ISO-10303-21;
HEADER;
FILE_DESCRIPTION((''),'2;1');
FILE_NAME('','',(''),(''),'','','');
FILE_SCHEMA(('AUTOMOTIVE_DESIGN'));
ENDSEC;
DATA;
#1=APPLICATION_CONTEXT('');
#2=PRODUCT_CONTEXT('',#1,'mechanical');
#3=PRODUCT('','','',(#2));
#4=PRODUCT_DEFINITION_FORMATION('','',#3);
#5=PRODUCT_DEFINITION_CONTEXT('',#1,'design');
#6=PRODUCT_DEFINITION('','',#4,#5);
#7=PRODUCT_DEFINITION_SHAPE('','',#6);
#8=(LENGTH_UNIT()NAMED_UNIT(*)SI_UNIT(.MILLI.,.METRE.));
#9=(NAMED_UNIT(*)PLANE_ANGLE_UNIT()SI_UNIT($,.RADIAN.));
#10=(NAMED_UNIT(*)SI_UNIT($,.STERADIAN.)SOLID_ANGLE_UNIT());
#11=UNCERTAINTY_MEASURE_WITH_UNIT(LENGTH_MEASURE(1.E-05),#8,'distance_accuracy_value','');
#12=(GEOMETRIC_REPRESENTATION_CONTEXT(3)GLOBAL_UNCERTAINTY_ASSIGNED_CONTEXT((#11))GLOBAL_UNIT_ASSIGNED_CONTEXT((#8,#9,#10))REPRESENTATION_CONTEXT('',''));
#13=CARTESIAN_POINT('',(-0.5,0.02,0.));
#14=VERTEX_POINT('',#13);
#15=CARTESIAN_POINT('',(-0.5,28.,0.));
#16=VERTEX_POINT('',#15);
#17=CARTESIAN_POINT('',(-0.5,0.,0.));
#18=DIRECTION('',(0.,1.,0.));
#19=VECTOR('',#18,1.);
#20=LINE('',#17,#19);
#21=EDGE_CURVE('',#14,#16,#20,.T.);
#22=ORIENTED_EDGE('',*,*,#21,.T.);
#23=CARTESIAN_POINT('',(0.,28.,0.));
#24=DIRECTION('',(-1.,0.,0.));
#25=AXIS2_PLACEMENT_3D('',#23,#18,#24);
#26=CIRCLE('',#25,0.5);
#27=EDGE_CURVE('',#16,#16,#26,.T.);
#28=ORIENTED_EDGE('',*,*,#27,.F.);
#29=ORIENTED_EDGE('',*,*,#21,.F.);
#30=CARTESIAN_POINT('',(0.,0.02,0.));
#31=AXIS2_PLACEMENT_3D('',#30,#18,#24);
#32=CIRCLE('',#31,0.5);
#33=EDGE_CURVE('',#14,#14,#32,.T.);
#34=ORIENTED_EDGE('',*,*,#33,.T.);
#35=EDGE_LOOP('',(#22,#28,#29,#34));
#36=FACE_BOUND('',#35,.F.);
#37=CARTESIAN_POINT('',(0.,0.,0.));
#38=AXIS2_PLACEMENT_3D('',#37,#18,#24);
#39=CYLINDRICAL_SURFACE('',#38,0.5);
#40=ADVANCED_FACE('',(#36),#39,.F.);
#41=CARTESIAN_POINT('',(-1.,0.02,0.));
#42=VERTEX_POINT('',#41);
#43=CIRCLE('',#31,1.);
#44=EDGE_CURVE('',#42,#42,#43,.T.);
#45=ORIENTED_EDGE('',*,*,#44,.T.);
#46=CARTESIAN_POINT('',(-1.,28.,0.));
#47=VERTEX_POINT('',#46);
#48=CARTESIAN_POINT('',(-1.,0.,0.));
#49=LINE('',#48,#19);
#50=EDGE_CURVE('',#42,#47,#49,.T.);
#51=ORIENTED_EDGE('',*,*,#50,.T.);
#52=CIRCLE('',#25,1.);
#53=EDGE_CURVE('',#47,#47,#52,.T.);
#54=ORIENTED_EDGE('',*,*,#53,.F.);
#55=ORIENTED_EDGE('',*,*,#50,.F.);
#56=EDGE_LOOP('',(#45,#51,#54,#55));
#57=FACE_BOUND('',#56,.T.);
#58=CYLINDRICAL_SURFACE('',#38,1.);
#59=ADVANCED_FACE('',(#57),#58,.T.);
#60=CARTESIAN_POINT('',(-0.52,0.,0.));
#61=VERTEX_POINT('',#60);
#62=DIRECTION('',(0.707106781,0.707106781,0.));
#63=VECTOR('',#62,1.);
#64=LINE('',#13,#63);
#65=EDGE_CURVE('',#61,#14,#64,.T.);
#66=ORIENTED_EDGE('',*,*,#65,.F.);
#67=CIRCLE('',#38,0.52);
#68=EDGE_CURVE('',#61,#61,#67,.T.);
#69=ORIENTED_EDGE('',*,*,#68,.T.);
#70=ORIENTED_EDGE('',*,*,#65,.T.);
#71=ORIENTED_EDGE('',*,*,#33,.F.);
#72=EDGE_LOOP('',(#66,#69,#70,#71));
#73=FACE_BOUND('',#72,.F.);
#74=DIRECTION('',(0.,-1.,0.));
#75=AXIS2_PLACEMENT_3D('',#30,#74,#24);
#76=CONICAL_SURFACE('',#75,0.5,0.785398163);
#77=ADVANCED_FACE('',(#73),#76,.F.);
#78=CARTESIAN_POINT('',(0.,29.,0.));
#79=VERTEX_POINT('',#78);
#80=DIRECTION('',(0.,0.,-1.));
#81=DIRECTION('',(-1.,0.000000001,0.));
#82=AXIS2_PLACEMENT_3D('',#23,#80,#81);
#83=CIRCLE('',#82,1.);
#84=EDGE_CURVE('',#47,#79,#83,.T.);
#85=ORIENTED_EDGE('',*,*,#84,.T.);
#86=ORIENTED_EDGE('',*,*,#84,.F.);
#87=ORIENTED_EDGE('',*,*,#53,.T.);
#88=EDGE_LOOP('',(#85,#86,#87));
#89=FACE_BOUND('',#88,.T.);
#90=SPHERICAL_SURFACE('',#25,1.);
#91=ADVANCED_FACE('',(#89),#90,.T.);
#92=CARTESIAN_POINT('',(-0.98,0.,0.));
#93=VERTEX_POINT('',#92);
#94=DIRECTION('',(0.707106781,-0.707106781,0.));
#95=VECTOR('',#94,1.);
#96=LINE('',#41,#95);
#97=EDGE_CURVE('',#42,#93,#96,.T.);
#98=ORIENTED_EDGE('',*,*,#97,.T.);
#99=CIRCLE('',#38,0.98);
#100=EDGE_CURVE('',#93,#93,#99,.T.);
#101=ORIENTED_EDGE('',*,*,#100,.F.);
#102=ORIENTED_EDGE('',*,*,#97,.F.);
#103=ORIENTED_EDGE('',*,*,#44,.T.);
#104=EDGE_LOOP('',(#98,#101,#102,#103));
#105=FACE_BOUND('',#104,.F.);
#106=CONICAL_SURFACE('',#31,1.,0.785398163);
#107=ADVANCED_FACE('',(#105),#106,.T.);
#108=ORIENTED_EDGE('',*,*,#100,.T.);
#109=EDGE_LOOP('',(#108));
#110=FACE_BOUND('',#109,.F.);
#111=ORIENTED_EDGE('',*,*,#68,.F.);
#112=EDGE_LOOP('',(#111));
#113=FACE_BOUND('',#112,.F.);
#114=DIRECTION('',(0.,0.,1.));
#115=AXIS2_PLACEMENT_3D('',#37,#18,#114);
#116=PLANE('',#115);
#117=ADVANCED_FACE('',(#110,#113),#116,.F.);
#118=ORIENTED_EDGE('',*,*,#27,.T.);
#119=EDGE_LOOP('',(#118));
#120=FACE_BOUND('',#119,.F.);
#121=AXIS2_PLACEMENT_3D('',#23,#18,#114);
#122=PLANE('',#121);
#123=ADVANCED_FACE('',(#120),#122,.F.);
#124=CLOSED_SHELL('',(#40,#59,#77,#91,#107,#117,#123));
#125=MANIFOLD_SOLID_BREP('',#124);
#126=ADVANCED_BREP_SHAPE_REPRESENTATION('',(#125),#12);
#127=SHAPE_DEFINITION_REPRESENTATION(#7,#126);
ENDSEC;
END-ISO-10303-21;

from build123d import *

# Parameters (mm, degrees)
THICKEN1_T2   = 0.5
CHAMFER1_SIZE = 0.02
CHAMFER2_SIZE = 0.02


with BuildPart() as body_1:
    # Surface-Revolve1: a surface, the sketch's curves turned about an axis
    with BuildLine(Plane.XY, mode=Mode.PRIVATE) as surface_revolve1_1_path:
        Line((-1, 0), (-1, 28))
        ThreePointArc((-1, 28), (-0.707106781, 28.707106781), (0, 29))
    surface_revolve1_1 = Shell.revolve(surface_revolve1_1_path.wire(), 360, Axis((0, 0, 0), (0, 1, 0)))
    add(Solid.thicken(surface_revolve1_1, -THICKEN1_T2))

    # Chamfer1
    chamfer1_edges = [body_1.edges().sort_by_distance(p)[0] for p in [
        (1, 0, 0),
    ]]
    chamfer(chamfer1_edges, length=CHAMFER1_SIZE)

    # Chamfer2
    chamfer2_edges = [body_1.edges().sort_by_distance(p)[0] for p in [
        (0.5, 0, 0),
    ]]
    chamfer(chamfer2_edges, length=CHAMFER2_SIZE)

    # Sketch4 → Revolve2 (revolve)
    with BuildSketch(Plane.XY, mode=Mode.PRIVATE) as revolve2_sk:
        with BuildLine():
            Line((-1, 28), (0, 28))
            Line((0, 28), (0, 29))
            ThreePointArc((0, 29), (-0.707106781, 28.707106781), (-1, 28))
        make_face()
    revolve(revolve2_sk.sketch.rotate(Axis((0, 0, 0), (0, 1, 0)), 90), axis=Axis((0, 0, 0), (0, 1, 0)))


solid = body_1.part
